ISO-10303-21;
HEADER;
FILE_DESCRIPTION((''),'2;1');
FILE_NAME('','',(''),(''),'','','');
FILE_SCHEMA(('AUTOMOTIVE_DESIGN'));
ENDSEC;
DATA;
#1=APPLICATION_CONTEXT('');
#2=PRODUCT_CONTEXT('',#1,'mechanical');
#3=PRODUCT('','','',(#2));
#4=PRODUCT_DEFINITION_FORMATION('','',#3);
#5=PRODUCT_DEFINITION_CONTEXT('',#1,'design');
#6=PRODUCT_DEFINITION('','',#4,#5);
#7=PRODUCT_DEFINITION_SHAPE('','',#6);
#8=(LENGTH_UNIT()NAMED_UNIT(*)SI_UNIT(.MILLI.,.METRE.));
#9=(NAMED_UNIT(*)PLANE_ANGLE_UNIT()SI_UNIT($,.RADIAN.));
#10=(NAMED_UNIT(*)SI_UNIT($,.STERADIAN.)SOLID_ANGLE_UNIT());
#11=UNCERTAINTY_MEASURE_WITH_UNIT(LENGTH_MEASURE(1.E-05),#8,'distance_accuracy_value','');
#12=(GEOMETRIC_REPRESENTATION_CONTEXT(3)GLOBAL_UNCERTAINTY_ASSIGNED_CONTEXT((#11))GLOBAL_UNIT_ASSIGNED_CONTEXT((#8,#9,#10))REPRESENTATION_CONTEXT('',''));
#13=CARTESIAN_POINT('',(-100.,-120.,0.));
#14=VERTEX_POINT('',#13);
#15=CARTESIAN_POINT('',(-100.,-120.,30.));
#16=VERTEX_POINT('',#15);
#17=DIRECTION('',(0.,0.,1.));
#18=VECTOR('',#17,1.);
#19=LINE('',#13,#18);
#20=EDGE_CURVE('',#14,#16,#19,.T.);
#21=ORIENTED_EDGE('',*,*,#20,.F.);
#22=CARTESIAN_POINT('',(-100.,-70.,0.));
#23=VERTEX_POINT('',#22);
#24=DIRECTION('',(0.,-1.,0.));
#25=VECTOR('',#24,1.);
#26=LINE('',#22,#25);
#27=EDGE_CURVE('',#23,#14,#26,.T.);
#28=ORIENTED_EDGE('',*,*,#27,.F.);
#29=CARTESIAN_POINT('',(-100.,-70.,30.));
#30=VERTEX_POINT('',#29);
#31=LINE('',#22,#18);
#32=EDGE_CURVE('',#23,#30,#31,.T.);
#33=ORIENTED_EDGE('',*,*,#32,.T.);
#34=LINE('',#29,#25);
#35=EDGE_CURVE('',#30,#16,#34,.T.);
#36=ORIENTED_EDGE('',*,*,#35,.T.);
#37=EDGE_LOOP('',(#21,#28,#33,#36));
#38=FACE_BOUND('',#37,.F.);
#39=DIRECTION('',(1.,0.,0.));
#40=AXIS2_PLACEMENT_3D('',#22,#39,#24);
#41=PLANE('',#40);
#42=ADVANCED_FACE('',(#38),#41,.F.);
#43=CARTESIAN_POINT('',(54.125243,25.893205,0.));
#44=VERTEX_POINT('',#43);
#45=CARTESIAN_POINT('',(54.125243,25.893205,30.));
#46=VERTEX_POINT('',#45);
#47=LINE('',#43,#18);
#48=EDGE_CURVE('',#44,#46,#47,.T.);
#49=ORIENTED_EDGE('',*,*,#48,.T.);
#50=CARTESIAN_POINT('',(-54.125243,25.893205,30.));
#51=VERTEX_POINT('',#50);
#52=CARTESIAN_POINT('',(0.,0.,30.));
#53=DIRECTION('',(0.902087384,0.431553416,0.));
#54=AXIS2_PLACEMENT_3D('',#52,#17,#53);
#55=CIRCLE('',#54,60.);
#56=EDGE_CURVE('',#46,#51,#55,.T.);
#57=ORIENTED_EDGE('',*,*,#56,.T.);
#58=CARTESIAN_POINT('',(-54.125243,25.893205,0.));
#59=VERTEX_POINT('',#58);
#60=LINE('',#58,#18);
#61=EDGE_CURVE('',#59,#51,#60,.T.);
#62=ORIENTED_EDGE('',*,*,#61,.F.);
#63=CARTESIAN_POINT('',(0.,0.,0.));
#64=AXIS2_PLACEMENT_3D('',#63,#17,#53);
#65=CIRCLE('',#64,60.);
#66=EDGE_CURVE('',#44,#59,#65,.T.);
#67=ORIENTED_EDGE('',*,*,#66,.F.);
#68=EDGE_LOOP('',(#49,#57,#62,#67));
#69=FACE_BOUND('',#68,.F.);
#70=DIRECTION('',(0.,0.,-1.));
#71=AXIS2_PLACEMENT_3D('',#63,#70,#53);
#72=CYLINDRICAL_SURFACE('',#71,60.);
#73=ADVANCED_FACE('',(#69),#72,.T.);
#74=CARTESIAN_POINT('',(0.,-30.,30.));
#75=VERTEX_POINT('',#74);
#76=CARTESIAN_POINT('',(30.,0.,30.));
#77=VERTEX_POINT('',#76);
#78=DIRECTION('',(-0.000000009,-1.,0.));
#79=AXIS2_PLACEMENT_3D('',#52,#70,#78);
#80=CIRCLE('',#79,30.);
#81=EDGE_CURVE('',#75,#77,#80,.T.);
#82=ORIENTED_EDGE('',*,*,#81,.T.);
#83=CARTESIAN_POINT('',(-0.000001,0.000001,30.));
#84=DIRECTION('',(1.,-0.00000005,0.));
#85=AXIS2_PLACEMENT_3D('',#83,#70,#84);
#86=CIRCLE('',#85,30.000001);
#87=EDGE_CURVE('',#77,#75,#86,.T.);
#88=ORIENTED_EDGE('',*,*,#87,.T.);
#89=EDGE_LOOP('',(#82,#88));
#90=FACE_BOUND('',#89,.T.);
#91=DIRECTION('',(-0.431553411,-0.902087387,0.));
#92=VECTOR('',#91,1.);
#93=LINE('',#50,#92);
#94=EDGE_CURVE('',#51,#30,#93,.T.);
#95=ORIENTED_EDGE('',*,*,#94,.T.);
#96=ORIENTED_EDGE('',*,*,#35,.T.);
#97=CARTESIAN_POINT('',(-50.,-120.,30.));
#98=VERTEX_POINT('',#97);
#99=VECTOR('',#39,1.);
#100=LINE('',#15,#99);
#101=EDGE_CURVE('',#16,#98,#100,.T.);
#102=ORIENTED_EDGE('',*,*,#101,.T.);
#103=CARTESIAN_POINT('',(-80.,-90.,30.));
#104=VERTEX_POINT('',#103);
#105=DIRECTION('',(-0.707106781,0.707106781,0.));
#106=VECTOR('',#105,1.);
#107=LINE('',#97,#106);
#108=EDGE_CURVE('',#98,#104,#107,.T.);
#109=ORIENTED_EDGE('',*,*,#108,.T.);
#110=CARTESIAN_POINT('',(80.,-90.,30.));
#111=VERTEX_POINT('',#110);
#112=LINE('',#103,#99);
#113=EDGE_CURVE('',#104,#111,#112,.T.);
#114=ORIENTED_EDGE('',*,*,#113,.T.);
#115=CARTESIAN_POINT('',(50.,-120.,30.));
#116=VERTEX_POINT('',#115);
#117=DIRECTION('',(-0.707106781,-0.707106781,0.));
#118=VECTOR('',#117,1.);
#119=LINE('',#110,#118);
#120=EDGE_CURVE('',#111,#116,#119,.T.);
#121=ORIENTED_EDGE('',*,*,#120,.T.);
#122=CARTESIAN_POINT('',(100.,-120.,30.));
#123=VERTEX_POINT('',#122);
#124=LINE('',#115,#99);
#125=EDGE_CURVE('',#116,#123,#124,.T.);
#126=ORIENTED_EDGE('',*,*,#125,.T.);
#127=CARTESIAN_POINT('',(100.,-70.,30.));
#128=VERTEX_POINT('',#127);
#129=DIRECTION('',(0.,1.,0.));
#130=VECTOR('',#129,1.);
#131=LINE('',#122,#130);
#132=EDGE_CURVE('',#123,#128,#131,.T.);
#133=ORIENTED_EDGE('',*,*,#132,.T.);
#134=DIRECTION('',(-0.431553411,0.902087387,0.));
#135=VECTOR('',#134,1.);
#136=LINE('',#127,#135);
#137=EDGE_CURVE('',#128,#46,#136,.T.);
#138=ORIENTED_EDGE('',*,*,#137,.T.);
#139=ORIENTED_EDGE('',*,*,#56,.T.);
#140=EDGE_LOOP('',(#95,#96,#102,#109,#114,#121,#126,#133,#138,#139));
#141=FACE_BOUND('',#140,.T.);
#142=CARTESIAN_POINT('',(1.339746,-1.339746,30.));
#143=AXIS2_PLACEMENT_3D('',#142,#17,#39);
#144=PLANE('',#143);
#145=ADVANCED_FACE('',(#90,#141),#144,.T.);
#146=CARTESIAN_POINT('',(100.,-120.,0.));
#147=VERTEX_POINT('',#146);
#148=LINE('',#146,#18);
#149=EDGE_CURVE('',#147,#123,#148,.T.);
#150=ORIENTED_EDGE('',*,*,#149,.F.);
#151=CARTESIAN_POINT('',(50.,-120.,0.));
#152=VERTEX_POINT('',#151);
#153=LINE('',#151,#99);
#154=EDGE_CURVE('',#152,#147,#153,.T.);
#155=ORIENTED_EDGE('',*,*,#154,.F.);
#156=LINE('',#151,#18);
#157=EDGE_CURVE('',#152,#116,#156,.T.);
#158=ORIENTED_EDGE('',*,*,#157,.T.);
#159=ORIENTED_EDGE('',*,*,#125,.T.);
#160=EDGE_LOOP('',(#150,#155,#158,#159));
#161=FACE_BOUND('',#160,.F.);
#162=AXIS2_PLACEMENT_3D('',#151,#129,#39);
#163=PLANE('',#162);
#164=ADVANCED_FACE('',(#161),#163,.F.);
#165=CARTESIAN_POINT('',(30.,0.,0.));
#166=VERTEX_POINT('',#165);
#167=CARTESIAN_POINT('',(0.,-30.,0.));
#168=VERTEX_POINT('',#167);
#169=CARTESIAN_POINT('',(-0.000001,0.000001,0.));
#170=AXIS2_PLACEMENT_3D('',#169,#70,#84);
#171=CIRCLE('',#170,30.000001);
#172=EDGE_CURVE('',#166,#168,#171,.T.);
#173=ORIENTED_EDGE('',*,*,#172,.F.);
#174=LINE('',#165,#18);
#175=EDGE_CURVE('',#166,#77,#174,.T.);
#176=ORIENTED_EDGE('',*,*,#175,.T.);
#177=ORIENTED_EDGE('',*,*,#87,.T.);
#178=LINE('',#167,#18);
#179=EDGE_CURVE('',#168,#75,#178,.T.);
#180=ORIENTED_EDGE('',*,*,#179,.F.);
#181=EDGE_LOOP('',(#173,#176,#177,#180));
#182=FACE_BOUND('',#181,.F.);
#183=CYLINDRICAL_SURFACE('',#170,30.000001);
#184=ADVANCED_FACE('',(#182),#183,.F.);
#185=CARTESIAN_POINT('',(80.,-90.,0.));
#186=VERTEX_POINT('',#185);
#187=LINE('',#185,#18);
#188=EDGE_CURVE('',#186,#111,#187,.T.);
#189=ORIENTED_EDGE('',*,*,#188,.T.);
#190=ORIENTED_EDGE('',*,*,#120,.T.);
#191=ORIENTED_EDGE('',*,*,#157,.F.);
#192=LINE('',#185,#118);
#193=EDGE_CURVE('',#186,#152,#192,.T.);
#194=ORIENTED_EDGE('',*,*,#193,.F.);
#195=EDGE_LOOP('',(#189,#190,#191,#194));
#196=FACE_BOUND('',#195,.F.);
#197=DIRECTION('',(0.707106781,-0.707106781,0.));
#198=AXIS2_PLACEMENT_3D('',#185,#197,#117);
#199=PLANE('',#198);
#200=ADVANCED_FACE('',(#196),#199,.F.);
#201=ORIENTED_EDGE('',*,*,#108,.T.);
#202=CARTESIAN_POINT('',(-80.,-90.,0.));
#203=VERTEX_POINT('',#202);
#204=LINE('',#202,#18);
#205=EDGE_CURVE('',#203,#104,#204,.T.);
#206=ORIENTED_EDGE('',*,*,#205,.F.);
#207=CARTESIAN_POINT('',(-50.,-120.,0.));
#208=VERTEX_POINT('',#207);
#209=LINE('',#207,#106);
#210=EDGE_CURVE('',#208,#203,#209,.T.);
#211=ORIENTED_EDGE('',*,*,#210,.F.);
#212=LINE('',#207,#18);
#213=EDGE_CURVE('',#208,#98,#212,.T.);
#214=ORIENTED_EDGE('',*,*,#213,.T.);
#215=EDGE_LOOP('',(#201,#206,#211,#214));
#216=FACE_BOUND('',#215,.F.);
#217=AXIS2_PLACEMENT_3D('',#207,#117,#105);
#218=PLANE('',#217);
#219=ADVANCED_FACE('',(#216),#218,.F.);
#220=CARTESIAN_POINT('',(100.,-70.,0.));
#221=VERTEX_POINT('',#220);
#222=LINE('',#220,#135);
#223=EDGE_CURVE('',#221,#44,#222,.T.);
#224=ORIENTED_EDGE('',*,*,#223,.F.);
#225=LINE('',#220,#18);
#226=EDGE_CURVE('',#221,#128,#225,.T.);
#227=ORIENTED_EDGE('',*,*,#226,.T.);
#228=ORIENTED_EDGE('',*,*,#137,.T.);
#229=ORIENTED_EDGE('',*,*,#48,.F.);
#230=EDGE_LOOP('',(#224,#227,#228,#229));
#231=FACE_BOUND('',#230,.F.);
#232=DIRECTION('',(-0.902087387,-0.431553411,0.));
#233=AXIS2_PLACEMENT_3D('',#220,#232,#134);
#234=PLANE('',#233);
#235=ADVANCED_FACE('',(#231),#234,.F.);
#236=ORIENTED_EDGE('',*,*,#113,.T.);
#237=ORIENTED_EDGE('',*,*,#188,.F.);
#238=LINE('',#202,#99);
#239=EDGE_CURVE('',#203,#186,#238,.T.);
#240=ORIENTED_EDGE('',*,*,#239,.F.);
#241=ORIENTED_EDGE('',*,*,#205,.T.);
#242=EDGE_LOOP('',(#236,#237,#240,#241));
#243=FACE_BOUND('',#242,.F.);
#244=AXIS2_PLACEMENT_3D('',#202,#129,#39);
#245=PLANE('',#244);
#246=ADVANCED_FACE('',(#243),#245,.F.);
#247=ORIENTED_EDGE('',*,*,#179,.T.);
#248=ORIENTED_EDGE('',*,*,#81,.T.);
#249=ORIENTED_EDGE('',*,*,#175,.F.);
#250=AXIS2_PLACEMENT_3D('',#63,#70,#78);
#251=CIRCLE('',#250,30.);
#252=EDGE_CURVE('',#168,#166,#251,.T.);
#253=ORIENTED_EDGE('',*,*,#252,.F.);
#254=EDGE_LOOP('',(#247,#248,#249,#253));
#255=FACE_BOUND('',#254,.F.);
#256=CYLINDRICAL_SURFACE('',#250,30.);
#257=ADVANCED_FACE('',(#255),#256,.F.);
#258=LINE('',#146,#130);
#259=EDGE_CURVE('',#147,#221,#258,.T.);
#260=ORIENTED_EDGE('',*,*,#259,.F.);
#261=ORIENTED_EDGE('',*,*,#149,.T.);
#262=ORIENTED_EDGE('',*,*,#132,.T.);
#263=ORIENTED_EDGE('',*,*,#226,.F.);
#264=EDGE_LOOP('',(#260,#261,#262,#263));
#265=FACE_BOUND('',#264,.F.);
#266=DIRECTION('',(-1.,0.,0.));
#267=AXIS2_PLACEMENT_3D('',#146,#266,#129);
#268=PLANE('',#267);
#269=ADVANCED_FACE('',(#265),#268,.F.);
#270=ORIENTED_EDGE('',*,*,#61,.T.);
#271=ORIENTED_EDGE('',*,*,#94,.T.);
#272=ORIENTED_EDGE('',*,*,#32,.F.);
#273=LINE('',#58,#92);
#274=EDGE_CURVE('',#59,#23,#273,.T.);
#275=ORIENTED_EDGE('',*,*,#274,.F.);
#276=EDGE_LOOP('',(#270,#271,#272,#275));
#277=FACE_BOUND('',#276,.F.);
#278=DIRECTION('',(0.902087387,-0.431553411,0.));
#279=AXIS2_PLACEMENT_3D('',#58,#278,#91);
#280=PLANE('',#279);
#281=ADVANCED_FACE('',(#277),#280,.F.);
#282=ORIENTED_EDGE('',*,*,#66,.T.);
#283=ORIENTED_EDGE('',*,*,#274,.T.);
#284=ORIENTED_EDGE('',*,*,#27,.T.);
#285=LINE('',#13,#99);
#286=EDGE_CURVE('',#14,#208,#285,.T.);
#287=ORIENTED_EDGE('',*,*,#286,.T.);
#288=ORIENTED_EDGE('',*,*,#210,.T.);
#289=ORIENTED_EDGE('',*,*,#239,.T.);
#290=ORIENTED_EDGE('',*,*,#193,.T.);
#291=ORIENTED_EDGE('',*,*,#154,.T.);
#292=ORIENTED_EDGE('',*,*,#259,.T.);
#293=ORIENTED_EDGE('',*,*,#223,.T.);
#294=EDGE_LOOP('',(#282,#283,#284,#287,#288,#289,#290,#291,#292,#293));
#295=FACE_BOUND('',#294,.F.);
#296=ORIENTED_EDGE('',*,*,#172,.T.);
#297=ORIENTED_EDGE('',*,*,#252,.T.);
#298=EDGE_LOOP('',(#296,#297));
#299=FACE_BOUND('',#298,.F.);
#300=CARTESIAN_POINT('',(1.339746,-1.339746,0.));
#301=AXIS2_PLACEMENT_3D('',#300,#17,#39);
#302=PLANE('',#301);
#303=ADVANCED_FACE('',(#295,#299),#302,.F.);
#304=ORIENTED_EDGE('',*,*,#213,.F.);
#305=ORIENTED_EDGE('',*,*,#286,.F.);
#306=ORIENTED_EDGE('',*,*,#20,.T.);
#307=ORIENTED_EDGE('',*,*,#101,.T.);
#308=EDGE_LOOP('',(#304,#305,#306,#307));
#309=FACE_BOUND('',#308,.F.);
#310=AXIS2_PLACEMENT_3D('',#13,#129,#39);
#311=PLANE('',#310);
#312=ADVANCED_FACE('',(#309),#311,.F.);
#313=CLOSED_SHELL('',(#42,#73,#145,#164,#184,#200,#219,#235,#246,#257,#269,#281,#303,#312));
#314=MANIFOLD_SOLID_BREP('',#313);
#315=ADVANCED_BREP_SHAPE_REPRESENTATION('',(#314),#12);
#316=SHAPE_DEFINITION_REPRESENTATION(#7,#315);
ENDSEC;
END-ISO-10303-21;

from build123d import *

# Parameters (mm, degrees)
F1_DEPTH = 30


with BuildPart() as f1:
    # F0 (on Top) → F1 (new body)
    with BuildSketch(Plane.XY):
        with BuildLine():
            ThreePointArc((0, -30), (21.213203, -21.213203), (30, 0))
            ThreePointArc((30, 0), (-21.213203, 21.213203), (0, -30))
        make_face()
        with BuildLine():
            ThreePointArc((-54.125243, 25.893205), (-50.762153, -31.987558), (0, -60))
            ThreePointArc((0, -60), (42.426407, -42.426407), (60, 0))
            ThreePointArc((60, 0), (58.512881, 13.275643), (54.125243, 25.893205))
            ThreePointArc((54.125243, 25.893205), (0, 60), (-54.125243, 25.893205))
        make_face()
        with BuildLine():
            ThreePointArc((0, -30), (-21.213203, 21.213203), (30, 0))
            ThreePointArc((30, 0), (21.213203, -21.213203), (0, -30))
        make_face(mode=Mode.SUBTRACT)
        with BuildLine():
            ThreePointArc((60, 0), (42.426407, -42.426407), (0, -60))
            Line((0, -60), (0, -70))
            Line((0, -70), (100, -70))
            Line((100, -70), (54.125243, 25.893205))
            ThreePointArc((54.125243, 25.893205), (58.512881, 13.275643), (60, 0))
        make_face()
        with BuildLine():
            Line((0, -70), (0, -60))
            ThreePointArc((0, -60), (-50.762153, -31.987558), (-54.125243, 25.893205))
            Line((-54.125243, 25.893205), (-100, -70))
            Line((-100, -70), (0, -70))
        make_face()
        Polygon((100, -70), (0, -70), (-100, -70), (-100, -120), (-50, -120), (-80, -90), (80, -90), (50, -120), (100, -120), align=None)
    extrude(amount=F1_DEPTH)


solid = f1.part
